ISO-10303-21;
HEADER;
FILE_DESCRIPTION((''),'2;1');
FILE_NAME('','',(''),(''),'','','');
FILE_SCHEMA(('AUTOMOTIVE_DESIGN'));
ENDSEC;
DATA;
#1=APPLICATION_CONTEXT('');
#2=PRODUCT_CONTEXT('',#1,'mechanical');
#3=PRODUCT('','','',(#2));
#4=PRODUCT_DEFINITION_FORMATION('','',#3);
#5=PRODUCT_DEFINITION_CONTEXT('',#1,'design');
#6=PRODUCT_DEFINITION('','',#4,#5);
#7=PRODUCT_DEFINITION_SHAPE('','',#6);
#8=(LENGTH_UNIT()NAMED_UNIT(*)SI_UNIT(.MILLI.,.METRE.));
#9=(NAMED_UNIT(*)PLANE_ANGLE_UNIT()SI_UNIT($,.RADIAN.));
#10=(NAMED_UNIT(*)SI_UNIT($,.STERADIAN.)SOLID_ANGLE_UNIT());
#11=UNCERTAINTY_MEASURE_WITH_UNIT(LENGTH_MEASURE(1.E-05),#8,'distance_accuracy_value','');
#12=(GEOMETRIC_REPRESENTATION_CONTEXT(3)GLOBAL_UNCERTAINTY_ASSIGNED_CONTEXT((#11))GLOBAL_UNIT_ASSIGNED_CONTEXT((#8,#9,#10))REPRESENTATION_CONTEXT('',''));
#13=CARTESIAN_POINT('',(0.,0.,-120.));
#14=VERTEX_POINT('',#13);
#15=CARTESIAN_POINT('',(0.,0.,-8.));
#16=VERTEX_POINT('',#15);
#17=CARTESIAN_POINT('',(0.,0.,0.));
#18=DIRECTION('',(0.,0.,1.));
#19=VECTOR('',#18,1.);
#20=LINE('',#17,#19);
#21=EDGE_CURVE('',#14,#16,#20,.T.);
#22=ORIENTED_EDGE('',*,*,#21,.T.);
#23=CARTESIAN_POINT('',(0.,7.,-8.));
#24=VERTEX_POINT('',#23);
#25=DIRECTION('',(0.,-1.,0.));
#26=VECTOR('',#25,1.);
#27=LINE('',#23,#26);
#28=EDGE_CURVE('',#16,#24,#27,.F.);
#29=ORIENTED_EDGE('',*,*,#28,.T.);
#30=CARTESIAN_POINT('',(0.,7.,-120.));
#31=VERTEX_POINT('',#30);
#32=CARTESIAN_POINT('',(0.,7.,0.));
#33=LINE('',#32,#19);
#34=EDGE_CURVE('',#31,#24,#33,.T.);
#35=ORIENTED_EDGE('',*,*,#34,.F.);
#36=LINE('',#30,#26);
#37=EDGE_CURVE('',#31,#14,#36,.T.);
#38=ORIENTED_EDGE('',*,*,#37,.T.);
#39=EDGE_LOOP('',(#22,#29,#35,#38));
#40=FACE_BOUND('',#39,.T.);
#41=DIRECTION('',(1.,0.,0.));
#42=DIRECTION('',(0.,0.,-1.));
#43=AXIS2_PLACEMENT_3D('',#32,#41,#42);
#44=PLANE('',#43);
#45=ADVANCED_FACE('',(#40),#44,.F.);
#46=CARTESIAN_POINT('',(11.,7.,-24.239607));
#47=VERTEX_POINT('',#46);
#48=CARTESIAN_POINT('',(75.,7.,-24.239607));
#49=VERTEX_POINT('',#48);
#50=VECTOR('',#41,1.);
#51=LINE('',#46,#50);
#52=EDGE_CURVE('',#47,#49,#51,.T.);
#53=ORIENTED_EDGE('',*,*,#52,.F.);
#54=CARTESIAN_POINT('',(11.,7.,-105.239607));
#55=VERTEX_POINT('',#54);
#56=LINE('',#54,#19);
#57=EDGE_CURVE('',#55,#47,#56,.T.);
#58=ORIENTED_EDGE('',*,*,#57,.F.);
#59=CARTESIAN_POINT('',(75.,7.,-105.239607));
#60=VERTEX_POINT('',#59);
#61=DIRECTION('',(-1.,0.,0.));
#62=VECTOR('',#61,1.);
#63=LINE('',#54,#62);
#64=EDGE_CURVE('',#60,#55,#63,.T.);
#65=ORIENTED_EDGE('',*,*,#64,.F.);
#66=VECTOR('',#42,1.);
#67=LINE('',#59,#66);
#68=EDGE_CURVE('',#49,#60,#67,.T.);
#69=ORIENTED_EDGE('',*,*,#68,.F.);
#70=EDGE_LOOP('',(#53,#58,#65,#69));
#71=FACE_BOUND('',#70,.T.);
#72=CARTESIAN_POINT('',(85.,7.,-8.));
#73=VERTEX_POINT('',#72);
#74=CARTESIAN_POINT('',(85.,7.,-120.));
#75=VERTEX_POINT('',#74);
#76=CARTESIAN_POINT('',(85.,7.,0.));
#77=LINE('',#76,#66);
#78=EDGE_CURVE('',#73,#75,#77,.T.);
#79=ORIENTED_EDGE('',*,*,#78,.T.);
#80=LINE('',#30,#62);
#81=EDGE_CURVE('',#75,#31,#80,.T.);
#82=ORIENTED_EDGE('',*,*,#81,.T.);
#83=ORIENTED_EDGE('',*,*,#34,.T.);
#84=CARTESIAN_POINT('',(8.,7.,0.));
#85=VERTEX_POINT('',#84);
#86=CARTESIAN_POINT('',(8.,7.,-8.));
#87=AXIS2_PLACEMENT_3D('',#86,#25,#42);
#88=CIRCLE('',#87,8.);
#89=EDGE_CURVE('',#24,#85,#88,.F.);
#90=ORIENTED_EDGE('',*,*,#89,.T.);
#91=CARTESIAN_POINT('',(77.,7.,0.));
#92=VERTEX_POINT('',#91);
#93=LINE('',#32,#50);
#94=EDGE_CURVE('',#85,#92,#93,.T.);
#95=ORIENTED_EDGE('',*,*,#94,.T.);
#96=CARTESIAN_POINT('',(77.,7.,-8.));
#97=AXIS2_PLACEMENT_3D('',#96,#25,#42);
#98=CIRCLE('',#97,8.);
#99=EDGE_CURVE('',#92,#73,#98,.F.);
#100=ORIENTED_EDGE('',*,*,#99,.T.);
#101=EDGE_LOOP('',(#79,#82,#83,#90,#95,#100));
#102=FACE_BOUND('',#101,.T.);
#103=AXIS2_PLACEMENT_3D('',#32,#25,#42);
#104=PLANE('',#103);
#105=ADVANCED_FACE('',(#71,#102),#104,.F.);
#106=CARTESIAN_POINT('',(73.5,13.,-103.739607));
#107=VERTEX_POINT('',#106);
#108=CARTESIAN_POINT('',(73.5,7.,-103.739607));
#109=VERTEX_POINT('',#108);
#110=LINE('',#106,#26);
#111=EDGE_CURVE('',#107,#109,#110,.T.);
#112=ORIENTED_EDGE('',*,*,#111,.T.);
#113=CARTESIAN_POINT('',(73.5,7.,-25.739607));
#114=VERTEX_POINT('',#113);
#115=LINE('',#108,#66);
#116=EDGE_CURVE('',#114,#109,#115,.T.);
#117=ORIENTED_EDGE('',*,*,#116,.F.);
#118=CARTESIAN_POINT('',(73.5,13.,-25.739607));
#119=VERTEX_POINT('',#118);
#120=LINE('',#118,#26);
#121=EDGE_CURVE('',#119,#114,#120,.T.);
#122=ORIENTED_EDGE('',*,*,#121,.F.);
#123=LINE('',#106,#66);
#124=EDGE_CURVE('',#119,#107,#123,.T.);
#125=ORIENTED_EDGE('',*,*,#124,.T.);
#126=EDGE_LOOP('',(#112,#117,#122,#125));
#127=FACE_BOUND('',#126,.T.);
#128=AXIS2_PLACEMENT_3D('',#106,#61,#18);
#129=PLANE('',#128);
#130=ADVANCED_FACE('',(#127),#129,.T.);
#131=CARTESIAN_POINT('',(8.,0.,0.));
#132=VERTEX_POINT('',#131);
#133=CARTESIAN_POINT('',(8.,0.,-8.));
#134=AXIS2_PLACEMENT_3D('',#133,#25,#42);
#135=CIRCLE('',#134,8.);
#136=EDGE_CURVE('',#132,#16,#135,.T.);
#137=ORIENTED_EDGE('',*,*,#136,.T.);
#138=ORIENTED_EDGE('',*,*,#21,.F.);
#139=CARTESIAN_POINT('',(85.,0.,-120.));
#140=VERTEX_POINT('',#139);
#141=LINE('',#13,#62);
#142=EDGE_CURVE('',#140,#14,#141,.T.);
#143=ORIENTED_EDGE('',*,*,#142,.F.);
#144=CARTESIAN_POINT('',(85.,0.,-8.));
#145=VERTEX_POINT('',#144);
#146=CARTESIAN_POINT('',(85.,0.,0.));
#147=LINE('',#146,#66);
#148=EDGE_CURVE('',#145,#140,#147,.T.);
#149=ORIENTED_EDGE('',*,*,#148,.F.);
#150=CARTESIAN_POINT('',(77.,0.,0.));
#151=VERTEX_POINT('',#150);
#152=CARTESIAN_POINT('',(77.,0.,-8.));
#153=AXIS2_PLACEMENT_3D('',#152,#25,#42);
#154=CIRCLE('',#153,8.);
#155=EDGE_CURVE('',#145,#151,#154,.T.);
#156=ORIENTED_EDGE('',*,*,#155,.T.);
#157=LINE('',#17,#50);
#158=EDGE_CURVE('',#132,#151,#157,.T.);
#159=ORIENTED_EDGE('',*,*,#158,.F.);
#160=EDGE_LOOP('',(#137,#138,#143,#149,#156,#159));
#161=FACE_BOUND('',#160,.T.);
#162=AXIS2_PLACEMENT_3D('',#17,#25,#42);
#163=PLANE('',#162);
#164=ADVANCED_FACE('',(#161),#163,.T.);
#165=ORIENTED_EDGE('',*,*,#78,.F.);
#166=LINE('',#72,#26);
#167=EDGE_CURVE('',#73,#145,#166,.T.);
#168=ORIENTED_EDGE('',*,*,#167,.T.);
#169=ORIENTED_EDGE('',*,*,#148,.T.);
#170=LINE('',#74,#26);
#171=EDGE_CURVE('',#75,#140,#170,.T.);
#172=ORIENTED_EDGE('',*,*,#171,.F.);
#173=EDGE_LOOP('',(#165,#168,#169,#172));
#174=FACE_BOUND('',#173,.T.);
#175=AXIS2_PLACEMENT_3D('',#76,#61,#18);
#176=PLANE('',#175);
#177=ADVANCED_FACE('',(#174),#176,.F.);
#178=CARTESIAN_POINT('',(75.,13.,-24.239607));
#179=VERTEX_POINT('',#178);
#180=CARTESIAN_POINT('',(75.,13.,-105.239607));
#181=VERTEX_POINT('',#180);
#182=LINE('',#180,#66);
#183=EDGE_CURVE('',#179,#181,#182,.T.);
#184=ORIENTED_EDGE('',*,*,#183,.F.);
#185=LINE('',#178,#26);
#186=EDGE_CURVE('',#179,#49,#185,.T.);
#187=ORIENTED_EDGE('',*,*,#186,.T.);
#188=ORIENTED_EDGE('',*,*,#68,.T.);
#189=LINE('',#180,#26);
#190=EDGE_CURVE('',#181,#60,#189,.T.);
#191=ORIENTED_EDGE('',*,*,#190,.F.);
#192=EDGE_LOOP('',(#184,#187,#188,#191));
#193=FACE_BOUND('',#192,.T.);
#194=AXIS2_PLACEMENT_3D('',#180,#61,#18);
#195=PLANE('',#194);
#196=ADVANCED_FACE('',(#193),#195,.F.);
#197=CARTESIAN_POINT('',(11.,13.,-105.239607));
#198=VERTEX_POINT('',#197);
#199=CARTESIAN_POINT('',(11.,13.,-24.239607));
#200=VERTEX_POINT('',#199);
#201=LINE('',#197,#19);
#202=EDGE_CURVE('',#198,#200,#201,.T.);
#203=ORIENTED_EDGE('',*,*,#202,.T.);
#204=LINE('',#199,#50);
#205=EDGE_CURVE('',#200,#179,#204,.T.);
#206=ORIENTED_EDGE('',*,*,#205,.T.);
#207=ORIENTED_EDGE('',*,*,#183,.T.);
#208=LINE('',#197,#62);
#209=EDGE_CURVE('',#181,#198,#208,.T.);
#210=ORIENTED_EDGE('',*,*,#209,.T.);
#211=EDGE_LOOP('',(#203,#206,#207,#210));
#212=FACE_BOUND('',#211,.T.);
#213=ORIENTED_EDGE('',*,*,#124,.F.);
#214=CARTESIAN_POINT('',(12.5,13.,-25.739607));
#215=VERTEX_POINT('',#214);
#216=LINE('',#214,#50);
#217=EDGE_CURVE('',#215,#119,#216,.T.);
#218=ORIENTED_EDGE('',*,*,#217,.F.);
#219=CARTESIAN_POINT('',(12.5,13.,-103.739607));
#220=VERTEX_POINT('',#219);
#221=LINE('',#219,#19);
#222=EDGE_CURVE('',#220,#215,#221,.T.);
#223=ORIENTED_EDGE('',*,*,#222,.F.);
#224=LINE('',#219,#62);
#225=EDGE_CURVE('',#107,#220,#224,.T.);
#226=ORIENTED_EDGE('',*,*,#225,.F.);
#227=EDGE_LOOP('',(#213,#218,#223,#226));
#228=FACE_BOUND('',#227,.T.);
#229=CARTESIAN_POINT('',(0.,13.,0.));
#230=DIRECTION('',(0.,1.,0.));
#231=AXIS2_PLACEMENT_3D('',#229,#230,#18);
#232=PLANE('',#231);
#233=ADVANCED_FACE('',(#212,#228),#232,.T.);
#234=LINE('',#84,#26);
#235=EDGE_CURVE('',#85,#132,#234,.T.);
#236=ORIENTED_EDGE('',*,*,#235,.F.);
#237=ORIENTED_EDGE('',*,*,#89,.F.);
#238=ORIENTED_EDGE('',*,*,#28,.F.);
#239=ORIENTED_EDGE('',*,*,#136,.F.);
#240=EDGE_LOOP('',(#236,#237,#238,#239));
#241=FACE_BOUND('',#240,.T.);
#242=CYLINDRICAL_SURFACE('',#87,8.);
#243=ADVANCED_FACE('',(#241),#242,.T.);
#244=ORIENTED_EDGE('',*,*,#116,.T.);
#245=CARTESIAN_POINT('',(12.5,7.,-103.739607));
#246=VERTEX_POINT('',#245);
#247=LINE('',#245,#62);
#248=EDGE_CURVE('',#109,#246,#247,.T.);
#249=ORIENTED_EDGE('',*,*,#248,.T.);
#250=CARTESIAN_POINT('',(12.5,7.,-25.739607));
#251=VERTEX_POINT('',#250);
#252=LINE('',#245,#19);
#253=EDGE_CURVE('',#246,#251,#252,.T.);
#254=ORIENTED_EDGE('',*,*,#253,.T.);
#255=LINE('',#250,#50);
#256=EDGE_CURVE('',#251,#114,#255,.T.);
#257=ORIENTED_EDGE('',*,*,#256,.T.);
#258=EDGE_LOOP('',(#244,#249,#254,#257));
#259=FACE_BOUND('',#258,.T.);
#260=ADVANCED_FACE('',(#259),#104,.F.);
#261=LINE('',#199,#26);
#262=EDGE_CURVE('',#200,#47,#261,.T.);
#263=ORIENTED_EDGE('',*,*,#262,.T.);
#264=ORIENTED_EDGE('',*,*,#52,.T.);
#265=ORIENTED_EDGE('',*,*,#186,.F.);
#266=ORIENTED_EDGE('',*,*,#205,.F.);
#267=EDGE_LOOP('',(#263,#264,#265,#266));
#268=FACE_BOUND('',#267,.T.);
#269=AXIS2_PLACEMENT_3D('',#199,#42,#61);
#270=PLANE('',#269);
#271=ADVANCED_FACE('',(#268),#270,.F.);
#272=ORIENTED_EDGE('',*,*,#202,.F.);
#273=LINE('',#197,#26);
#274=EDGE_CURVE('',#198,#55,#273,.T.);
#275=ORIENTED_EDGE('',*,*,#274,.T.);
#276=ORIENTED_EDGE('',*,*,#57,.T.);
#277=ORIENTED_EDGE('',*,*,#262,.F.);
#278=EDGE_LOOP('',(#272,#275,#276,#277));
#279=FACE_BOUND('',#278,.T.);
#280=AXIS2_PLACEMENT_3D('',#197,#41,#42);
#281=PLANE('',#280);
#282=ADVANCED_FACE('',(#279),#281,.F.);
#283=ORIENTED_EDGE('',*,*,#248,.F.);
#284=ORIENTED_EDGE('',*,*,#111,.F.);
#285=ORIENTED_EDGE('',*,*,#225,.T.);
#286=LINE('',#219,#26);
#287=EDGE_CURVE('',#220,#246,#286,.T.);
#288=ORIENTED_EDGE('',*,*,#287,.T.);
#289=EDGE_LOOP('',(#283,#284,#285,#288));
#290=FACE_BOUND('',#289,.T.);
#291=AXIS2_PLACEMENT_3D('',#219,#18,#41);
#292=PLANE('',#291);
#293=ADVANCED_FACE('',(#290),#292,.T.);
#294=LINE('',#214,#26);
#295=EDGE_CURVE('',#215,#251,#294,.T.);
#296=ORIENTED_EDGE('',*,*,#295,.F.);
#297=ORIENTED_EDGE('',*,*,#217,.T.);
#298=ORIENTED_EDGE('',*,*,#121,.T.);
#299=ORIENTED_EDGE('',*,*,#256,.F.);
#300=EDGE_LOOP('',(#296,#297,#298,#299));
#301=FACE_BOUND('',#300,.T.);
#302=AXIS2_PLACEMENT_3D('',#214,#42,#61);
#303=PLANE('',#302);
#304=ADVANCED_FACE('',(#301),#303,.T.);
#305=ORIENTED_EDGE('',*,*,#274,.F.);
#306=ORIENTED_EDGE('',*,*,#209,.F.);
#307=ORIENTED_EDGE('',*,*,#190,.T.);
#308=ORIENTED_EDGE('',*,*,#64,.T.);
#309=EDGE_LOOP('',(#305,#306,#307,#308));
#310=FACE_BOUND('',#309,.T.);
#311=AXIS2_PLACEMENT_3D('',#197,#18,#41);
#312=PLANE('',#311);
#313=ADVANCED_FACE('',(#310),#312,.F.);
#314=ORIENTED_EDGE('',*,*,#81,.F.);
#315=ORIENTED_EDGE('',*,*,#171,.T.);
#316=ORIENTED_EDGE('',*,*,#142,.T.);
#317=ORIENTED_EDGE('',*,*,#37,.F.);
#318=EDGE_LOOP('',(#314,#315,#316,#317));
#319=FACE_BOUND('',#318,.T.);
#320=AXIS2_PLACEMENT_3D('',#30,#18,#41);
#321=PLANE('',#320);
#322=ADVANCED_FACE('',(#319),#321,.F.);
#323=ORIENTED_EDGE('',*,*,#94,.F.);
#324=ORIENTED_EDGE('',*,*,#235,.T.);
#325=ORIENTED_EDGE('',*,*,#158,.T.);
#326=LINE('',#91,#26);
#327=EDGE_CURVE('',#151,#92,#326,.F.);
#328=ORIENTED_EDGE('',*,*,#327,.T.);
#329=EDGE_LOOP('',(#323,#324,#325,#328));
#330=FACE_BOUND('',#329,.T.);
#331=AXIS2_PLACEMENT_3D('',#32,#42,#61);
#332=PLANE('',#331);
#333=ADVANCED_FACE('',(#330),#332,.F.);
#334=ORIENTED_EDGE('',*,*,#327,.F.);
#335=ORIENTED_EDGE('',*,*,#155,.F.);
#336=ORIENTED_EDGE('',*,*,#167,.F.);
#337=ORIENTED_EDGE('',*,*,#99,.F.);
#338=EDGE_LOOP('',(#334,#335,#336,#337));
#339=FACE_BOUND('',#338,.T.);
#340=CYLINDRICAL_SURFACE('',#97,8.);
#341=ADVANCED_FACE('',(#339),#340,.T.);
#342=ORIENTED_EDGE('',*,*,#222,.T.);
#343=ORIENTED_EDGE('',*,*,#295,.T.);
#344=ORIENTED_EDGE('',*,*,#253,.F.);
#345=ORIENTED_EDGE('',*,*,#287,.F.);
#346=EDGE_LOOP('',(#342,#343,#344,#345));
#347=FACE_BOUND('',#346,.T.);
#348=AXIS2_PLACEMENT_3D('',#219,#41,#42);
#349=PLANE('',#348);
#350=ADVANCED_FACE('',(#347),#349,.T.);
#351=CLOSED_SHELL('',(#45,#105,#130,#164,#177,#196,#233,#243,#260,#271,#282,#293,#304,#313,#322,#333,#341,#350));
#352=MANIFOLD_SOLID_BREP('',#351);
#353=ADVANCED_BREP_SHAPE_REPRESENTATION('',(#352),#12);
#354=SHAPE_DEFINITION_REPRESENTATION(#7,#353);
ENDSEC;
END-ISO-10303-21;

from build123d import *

# Parameters (mm, degrees)
SKETCH1_W           = 85
SKETCH1_H           = 120
BOSS_EXTRUDE1_DEPTH = 7
FILLET1_R           = 8
SKETCH2_W           = 64
SKETCH2_H           = 81
SKETCH2_W_2         = 61
SKETCH2_H_2         = 78
BOSS_EXTRUDE2_DEPTH = 6


with BuildPart() as part:
    # Sketch1 → Boss-Extrude1 (new body)
    with BuildSketch(Plane(origin=(0, 0, 0), x_dir=(1, 0, 0), z_dir=(0, 1, 0))):
        with Locations((42.5, 60)):
            Rectangle(SKETCH1_W, SKETCH1_H)
    extrude(amount=BOSS_EXTRUDE1_DEPTH)

    # Fillet1
    fillet1_edges = [part.edges().sort_by_distance(p)[0] for p in [
        (85, 3.5, 0),
        (0, 3.5, 0),
    ]]
    fillet(fillet1_edges, radius=FILLET1_R)

    # Sketch2 → Boss-Extrude2 (add)
    with BuildSketch(Plane(origin=(0, 7, 0), x_dir=(1, 0, 0), z_dir=(0, 1, 0))):
        with Locations((43, 64.739607224)):
            Rectangle(SKETCH2_W, SKETCH2_H)
        with Locations((43, 64.739607224)):
            Rectangle(SKETCH2_W_2, SKETCH2_H_2, mode=Mode.SUBTRACT)
    extrude(amount=BOSS_EXTRUDE2_DEPTH)


solid = part.part
